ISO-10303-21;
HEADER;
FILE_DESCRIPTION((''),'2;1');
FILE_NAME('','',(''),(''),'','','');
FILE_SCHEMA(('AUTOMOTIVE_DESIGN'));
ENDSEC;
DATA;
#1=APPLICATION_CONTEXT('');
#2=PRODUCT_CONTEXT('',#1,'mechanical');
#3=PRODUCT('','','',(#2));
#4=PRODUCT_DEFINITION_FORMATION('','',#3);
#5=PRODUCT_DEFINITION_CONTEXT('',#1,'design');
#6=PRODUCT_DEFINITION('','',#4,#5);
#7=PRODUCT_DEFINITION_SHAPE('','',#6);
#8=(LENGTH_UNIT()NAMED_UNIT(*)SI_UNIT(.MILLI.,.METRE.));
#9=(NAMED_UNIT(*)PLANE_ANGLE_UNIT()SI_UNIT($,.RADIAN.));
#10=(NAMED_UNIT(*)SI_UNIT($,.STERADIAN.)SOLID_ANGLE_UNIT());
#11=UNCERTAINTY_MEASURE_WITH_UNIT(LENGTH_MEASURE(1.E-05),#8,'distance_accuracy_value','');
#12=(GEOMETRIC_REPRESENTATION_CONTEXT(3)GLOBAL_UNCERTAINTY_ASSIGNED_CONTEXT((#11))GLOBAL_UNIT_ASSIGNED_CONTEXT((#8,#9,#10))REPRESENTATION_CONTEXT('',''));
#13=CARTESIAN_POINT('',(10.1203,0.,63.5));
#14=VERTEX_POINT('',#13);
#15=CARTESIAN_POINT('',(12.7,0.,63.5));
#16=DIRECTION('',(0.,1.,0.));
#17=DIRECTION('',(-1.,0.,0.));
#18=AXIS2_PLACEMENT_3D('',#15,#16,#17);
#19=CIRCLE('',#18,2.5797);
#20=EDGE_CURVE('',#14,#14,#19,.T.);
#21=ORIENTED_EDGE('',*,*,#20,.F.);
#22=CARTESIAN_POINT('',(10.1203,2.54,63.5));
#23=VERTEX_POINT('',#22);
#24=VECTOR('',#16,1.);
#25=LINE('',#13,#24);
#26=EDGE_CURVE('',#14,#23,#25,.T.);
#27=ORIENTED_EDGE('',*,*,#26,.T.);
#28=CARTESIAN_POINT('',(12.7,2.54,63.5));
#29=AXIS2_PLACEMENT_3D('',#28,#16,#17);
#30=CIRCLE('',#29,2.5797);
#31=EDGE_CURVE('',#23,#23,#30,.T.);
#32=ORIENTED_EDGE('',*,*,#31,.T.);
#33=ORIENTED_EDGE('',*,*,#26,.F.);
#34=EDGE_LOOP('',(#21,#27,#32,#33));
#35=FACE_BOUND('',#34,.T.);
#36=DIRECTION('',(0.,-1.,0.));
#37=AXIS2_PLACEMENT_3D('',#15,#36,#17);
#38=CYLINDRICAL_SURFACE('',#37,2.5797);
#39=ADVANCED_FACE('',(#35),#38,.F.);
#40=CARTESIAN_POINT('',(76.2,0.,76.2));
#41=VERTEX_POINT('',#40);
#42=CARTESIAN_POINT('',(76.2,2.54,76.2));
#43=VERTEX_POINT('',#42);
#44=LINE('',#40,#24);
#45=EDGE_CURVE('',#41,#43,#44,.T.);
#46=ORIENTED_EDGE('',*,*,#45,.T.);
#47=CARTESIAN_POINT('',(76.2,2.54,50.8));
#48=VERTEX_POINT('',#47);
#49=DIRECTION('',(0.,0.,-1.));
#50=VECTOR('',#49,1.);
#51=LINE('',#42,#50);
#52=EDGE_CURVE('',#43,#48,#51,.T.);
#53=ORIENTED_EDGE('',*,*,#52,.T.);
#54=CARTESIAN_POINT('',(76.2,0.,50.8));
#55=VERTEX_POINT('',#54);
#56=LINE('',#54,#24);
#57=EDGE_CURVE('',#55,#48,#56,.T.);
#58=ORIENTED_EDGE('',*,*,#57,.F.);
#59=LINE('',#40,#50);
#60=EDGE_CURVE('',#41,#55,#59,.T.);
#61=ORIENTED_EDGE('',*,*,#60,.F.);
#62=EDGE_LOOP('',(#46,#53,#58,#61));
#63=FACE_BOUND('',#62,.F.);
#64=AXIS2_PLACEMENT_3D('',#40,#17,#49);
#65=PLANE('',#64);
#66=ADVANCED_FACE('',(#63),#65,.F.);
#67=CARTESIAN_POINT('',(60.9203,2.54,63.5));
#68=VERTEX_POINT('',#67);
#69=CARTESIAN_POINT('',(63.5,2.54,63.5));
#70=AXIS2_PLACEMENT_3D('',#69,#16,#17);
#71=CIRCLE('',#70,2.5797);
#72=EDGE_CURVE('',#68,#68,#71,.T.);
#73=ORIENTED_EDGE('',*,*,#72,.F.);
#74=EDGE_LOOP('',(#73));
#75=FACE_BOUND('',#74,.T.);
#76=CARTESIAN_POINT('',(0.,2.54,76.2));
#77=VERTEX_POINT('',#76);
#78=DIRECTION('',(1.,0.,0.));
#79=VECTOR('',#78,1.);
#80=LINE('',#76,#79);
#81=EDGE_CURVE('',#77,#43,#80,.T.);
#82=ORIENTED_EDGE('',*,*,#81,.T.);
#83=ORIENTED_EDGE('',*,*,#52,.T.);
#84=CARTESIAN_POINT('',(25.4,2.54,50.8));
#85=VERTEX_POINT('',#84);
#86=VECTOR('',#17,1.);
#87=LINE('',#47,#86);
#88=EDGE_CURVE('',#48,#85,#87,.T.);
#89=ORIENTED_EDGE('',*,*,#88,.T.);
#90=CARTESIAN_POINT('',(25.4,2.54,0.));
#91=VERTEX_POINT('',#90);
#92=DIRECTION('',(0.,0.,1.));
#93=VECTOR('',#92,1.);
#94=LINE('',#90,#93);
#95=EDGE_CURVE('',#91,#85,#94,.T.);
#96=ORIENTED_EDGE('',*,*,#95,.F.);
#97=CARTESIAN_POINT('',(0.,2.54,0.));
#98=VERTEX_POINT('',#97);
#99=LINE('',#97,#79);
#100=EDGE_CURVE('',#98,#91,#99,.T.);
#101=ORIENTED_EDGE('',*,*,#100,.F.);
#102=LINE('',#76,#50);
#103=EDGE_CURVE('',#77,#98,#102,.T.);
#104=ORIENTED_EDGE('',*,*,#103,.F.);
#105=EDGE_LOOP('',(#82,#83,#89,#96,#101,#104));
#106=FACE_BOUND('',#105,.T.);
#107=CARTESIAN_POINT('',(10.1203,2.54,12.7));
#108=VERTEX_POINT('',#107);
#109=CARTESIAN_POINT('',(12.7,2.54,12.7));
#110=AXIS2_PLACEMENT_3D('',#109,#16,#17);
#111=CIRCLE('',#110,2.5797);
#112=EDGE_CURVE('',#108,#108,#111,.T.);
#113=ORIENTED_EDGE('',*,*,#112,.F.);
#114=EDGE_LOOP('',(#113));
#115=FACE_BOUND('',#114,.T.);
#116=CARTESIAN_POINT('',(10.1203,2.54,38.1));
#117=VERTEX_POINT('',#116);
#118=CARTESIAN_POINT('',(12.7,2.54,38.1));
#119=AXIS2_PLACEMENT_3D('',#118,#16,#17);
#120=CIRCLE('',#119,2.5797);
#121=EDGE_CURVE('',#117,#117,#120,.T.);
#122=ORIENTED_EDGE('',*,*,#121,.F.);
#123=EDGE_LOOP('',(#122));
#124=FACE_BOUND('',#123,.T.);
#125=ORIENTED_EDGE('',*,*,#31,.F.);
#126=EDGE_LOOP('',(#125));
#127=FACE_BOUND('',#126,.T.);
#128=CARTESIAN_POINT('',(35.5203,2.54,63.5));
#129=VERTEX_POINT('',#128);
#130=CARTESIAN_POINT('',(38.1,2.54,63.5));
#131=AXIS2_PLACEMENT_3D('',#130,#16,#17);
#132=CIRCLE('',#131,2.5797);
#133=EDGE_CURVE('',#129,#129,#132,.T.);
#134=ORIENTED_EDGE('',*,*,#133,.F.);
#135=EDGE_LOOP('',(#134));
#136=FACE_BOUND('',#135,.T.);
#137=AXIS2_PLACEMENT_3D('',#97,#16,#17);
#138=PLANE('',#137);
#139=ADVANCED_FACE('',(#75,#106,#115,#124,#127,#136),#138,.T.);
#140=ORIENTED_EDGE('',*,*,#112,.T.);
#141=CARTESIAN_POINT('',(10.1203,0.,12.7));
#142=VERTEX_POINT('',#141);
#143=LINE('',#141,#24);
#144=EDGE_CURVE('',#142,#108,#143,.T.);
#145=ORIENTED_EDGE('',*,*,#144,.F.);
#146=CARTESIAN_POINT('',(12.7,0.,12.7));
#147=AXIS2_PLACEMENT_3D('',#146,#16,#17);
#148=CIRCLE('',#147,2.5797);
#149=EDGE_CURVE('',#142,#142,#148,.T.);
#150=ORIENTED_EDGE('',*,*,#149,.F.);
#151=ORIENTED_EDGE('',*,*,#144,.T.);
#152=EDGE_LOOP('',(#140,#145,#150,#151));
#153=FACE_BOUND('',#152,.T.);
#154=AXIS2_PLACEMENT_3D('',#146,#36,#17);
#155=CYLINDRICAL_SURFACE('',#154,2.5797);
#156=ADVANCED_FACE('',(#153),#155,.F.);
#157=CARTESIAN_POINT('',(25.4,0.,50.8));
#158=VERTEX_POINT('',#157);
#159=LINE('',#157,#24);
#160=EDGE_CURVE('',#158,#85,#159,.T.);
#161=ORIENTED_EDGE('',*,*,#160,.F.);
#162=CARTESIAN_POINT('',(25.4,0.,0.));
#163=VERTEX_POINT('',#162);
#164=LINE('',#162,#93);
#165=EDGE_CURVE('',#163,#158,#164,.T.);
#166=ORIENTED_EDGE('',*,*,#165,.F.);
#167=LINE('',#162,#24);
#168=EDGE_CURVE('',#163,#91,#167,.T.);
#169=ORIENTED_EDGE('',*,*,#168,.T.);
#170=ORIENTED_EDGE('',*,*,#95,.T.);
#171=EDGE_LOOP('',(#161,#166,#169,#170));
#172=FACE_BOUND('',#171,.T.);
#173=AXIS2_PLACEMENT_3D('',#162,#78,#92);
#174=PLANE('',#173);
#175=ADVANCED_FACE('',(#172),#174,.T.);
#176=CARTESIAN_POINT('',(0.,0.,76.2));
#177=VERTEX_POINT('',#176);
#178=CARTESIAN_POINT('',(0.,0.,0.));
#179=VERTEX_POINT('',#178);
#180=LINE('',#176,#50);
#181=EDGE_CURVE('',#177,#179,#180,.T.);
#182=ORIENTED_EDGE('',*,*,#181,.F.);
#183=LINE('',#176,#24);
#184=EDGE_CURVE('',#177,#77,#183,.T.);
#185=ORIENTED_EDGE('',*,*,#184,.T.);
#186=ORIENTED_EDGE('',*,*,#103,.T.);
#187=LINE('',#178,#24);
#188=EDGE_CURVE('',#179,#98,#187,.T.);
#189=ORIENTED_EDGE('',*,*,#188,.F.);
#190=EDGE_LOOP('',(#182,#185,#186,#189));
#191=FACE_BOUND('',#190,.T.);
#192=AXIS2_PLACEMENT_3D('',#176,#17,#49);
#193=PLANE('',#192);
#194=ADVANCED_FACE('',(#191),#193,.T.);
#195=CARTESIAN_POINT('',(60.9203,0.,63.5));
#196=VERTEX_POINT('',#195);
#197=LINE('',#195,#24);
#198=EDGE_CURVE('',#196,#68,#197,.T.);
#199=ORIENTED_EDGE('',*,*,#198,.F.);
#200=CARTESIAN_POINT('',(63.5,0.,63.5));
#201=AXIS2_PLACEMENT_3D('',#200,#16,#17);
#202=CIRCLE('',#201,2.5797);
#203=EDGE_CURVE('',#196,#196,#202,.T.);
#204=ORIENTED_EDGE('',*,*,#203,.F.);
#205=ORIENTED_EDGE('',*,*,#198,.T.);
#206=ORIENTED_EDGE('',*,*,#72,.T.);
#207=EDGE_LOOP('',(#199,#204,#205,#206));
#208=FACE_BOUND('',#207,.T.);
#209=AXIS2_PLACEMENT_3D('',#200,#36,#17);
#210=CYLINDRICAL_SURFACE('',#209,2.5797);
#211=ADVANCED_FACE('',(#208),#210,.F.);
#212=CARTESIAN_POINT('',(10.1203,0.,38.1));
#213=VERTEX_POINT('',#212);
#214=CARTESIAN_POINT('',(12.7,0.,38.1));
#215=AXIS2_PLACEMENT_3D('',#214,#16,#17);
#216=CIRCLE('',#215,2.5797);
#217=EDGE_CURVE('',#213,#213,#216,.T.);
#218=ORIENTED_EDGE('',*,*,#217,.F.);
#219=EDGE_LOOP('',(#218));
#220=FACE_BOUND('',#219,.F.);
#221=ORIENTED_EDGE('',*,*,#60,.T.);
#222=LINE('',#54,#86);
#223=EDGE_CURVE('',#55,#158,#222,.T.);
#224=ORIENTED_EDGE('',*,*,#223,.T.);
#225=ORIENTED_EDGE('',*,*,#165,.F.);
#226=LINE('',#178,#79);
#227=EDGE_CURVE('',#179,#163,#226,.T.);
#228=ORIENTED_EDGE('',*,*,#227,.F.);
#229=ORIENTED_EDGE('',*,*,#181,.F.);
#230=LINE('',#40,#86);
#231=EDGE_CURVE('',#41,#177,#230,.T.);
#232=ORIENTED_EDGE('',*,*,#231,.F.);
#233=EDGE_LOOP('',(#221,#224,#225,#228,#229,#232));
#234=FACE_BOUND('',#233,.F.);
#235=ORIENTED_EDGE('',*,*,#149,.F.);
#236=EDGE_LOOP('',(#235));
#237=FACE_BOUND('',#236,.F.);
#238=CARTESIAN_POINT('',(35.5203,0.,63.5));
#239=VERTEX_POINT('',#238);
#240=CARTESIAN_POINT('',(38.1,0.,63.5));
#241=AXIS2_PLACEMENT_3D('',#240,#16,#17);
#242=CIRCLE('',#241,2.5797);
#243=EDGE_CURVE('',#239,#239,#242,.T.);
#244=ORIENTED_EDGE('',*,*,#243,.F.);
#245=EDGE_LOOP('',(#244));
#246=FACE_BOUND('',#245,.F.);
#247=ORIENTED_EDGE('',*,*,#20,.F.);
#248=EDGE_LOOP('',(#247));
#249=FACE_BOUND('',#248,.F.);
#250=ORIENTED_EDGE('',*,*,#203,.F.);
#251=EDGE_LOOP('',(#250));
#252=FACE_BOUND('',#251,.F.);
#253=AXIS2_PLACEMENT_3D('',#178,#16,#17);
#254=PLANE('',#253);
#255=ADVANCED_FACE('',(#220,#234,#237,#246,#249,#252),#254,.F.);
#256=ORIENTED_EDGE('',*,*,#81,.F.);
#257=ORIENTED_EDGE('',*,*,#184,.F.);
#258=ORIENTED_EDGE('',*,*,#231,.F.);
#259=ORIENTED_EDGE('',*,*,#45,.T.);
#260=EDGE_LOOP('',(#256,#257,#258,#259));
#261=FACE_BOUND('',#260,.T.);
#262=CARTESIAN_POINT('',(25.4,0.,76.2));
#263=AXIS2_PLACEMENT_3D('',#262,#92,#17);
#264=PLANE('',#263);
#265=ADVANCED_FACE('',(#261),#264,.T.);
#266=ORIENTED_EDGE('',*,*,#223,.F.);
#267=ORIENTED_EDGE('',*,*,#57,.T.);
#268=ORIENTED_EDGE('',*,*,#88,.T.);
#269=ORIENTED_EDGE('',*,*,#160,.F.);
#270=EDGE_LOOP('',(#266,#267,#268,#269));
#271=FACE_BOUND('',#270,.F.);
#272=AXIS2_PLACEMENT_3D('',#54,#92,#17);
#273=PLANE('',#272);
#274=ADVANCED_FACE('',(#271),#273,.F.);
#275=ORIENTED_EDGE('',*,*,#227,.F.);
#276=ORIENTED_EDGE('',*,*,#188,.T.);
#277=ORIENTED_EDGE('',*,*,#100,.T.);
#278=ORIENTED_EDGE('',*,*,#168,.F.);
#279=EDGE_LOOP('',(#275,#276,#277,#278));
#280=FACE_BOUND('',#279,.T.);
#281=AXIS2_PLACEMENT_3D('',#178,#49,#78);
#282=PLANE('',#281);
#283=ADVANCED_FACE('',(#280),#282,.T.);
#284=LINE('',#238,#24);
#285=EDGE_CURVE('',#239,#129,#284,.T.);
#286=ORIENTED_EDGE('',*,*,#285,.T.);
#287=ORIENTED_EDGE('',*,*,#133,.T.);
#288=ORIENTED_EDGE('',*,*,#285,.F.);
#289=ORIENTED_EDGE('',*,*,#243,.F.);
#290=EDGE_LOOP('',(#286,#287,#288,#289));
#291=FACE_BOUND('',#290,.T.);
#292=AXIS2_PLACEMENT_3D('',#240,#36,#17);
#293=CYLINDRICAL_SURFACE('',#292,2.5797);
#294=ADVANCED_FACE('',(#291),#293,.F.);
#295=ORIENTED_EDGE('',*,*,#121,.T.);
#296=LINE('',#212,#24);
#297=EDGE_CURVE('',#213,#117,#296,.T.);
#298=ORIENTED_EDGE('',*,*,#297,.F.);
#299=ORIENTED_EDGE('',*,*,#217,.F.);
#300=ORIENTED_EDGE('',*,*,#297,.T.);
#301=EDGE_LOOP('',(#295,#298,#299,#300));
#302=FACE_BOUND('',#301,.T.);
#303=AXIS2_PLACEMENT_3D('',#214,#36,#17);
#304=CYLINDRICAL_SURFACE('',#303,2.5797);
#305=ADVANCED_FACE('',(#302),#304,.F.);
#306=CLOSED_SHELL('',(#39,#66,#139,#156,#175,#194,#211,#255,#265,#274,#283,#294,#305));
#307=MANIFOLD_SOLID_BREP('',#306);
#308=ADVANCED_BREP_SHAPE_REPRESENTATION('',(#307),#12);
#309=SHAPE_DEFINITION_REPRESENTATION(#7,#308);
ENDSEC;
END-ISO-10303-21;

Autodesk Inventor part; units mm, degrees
ref_plane "YZ Plane" through (0, 0, 0) normal (1, 0, 0) x (0, 1, 0)
ref_plane "XZ Plane" through (0, 0, 0) normal (0, 1, 0) x (-1, 0, 0)
ref_plane "XY Plane" through (0, 0, 0) normal (0, 0, 1) x (1, 0, 0)
sketch "Sketch1" plane through (0, 0, 0) normal (0, 1, 0) x (-1, 0, 0)
  line L0 (0, 0) -> (-25.4, 0)
  line L1 (-25.4, 0) -> (-25.4, 76.2)
  line L2 (-25.4, 76.2) -> (0, 76.2)
  line L3 (0, 76.2) -> (0, 0)
  line L4 (-25.4, 76.2) -> (-76.2, 76.2)
  line L5 (-76.2, 76.2) -> (-76.2, 50.8)
  line L6 (-76.2, 50.8) -> (-25.4, 50.8)
  line L7 (-25.4, 50.8) -> (-25.4, 76.2)
  circle A0 centre (-63.5, 63.5) radius 2.5797
  circle A1 centre (-38.1, 63.5) radius 2.5797
  circle A2 centre (-12.7, 63.5) radius 2.5797
  circle A3 centre (-12.7, 38.1) radius 2.5797
  circle A4 centre (-12.7, 12.7) radius 2.5797
  dimension "d0" = 0
  dimension "d1" = 25.4
  dimension "d2" = 76.2
  dimension "d3" = 50.8
  dimension "d4" = 25.4
  dimension "d5" = 12.7
  dimension "d6" = 12.7
  dimension "d7" = 12.7
  dimension "d8" = 12.7
  dimension "d9" = 25.4
  dimension "d10" = 25.4
  dimension "d11" = 5.1594
  dimension "d12" = 5.1594
  dimension "d13" = 5.1594
  dimension "d14" = 5.1594
  dimension "d15" = 5.1594
  dimension "d16" = 12.7
  dimension "d17" = 12.7
  dimension "d18" = 12.7
  dimension "d19" = 25.4
  dimension "d20" = 12.7
extrude "Extrusion1" add sketch "Sketch1" along normal blind 2.54
equation "\"d6\" = d5"
equation "\"d7\" = d5"
equation "\"d12\" = d11"
equation "\"d13\" = d11"
equation "\"d14\" = d11"
equation "\"d15\" = d11"
properties part number "Bracing 3x3"
